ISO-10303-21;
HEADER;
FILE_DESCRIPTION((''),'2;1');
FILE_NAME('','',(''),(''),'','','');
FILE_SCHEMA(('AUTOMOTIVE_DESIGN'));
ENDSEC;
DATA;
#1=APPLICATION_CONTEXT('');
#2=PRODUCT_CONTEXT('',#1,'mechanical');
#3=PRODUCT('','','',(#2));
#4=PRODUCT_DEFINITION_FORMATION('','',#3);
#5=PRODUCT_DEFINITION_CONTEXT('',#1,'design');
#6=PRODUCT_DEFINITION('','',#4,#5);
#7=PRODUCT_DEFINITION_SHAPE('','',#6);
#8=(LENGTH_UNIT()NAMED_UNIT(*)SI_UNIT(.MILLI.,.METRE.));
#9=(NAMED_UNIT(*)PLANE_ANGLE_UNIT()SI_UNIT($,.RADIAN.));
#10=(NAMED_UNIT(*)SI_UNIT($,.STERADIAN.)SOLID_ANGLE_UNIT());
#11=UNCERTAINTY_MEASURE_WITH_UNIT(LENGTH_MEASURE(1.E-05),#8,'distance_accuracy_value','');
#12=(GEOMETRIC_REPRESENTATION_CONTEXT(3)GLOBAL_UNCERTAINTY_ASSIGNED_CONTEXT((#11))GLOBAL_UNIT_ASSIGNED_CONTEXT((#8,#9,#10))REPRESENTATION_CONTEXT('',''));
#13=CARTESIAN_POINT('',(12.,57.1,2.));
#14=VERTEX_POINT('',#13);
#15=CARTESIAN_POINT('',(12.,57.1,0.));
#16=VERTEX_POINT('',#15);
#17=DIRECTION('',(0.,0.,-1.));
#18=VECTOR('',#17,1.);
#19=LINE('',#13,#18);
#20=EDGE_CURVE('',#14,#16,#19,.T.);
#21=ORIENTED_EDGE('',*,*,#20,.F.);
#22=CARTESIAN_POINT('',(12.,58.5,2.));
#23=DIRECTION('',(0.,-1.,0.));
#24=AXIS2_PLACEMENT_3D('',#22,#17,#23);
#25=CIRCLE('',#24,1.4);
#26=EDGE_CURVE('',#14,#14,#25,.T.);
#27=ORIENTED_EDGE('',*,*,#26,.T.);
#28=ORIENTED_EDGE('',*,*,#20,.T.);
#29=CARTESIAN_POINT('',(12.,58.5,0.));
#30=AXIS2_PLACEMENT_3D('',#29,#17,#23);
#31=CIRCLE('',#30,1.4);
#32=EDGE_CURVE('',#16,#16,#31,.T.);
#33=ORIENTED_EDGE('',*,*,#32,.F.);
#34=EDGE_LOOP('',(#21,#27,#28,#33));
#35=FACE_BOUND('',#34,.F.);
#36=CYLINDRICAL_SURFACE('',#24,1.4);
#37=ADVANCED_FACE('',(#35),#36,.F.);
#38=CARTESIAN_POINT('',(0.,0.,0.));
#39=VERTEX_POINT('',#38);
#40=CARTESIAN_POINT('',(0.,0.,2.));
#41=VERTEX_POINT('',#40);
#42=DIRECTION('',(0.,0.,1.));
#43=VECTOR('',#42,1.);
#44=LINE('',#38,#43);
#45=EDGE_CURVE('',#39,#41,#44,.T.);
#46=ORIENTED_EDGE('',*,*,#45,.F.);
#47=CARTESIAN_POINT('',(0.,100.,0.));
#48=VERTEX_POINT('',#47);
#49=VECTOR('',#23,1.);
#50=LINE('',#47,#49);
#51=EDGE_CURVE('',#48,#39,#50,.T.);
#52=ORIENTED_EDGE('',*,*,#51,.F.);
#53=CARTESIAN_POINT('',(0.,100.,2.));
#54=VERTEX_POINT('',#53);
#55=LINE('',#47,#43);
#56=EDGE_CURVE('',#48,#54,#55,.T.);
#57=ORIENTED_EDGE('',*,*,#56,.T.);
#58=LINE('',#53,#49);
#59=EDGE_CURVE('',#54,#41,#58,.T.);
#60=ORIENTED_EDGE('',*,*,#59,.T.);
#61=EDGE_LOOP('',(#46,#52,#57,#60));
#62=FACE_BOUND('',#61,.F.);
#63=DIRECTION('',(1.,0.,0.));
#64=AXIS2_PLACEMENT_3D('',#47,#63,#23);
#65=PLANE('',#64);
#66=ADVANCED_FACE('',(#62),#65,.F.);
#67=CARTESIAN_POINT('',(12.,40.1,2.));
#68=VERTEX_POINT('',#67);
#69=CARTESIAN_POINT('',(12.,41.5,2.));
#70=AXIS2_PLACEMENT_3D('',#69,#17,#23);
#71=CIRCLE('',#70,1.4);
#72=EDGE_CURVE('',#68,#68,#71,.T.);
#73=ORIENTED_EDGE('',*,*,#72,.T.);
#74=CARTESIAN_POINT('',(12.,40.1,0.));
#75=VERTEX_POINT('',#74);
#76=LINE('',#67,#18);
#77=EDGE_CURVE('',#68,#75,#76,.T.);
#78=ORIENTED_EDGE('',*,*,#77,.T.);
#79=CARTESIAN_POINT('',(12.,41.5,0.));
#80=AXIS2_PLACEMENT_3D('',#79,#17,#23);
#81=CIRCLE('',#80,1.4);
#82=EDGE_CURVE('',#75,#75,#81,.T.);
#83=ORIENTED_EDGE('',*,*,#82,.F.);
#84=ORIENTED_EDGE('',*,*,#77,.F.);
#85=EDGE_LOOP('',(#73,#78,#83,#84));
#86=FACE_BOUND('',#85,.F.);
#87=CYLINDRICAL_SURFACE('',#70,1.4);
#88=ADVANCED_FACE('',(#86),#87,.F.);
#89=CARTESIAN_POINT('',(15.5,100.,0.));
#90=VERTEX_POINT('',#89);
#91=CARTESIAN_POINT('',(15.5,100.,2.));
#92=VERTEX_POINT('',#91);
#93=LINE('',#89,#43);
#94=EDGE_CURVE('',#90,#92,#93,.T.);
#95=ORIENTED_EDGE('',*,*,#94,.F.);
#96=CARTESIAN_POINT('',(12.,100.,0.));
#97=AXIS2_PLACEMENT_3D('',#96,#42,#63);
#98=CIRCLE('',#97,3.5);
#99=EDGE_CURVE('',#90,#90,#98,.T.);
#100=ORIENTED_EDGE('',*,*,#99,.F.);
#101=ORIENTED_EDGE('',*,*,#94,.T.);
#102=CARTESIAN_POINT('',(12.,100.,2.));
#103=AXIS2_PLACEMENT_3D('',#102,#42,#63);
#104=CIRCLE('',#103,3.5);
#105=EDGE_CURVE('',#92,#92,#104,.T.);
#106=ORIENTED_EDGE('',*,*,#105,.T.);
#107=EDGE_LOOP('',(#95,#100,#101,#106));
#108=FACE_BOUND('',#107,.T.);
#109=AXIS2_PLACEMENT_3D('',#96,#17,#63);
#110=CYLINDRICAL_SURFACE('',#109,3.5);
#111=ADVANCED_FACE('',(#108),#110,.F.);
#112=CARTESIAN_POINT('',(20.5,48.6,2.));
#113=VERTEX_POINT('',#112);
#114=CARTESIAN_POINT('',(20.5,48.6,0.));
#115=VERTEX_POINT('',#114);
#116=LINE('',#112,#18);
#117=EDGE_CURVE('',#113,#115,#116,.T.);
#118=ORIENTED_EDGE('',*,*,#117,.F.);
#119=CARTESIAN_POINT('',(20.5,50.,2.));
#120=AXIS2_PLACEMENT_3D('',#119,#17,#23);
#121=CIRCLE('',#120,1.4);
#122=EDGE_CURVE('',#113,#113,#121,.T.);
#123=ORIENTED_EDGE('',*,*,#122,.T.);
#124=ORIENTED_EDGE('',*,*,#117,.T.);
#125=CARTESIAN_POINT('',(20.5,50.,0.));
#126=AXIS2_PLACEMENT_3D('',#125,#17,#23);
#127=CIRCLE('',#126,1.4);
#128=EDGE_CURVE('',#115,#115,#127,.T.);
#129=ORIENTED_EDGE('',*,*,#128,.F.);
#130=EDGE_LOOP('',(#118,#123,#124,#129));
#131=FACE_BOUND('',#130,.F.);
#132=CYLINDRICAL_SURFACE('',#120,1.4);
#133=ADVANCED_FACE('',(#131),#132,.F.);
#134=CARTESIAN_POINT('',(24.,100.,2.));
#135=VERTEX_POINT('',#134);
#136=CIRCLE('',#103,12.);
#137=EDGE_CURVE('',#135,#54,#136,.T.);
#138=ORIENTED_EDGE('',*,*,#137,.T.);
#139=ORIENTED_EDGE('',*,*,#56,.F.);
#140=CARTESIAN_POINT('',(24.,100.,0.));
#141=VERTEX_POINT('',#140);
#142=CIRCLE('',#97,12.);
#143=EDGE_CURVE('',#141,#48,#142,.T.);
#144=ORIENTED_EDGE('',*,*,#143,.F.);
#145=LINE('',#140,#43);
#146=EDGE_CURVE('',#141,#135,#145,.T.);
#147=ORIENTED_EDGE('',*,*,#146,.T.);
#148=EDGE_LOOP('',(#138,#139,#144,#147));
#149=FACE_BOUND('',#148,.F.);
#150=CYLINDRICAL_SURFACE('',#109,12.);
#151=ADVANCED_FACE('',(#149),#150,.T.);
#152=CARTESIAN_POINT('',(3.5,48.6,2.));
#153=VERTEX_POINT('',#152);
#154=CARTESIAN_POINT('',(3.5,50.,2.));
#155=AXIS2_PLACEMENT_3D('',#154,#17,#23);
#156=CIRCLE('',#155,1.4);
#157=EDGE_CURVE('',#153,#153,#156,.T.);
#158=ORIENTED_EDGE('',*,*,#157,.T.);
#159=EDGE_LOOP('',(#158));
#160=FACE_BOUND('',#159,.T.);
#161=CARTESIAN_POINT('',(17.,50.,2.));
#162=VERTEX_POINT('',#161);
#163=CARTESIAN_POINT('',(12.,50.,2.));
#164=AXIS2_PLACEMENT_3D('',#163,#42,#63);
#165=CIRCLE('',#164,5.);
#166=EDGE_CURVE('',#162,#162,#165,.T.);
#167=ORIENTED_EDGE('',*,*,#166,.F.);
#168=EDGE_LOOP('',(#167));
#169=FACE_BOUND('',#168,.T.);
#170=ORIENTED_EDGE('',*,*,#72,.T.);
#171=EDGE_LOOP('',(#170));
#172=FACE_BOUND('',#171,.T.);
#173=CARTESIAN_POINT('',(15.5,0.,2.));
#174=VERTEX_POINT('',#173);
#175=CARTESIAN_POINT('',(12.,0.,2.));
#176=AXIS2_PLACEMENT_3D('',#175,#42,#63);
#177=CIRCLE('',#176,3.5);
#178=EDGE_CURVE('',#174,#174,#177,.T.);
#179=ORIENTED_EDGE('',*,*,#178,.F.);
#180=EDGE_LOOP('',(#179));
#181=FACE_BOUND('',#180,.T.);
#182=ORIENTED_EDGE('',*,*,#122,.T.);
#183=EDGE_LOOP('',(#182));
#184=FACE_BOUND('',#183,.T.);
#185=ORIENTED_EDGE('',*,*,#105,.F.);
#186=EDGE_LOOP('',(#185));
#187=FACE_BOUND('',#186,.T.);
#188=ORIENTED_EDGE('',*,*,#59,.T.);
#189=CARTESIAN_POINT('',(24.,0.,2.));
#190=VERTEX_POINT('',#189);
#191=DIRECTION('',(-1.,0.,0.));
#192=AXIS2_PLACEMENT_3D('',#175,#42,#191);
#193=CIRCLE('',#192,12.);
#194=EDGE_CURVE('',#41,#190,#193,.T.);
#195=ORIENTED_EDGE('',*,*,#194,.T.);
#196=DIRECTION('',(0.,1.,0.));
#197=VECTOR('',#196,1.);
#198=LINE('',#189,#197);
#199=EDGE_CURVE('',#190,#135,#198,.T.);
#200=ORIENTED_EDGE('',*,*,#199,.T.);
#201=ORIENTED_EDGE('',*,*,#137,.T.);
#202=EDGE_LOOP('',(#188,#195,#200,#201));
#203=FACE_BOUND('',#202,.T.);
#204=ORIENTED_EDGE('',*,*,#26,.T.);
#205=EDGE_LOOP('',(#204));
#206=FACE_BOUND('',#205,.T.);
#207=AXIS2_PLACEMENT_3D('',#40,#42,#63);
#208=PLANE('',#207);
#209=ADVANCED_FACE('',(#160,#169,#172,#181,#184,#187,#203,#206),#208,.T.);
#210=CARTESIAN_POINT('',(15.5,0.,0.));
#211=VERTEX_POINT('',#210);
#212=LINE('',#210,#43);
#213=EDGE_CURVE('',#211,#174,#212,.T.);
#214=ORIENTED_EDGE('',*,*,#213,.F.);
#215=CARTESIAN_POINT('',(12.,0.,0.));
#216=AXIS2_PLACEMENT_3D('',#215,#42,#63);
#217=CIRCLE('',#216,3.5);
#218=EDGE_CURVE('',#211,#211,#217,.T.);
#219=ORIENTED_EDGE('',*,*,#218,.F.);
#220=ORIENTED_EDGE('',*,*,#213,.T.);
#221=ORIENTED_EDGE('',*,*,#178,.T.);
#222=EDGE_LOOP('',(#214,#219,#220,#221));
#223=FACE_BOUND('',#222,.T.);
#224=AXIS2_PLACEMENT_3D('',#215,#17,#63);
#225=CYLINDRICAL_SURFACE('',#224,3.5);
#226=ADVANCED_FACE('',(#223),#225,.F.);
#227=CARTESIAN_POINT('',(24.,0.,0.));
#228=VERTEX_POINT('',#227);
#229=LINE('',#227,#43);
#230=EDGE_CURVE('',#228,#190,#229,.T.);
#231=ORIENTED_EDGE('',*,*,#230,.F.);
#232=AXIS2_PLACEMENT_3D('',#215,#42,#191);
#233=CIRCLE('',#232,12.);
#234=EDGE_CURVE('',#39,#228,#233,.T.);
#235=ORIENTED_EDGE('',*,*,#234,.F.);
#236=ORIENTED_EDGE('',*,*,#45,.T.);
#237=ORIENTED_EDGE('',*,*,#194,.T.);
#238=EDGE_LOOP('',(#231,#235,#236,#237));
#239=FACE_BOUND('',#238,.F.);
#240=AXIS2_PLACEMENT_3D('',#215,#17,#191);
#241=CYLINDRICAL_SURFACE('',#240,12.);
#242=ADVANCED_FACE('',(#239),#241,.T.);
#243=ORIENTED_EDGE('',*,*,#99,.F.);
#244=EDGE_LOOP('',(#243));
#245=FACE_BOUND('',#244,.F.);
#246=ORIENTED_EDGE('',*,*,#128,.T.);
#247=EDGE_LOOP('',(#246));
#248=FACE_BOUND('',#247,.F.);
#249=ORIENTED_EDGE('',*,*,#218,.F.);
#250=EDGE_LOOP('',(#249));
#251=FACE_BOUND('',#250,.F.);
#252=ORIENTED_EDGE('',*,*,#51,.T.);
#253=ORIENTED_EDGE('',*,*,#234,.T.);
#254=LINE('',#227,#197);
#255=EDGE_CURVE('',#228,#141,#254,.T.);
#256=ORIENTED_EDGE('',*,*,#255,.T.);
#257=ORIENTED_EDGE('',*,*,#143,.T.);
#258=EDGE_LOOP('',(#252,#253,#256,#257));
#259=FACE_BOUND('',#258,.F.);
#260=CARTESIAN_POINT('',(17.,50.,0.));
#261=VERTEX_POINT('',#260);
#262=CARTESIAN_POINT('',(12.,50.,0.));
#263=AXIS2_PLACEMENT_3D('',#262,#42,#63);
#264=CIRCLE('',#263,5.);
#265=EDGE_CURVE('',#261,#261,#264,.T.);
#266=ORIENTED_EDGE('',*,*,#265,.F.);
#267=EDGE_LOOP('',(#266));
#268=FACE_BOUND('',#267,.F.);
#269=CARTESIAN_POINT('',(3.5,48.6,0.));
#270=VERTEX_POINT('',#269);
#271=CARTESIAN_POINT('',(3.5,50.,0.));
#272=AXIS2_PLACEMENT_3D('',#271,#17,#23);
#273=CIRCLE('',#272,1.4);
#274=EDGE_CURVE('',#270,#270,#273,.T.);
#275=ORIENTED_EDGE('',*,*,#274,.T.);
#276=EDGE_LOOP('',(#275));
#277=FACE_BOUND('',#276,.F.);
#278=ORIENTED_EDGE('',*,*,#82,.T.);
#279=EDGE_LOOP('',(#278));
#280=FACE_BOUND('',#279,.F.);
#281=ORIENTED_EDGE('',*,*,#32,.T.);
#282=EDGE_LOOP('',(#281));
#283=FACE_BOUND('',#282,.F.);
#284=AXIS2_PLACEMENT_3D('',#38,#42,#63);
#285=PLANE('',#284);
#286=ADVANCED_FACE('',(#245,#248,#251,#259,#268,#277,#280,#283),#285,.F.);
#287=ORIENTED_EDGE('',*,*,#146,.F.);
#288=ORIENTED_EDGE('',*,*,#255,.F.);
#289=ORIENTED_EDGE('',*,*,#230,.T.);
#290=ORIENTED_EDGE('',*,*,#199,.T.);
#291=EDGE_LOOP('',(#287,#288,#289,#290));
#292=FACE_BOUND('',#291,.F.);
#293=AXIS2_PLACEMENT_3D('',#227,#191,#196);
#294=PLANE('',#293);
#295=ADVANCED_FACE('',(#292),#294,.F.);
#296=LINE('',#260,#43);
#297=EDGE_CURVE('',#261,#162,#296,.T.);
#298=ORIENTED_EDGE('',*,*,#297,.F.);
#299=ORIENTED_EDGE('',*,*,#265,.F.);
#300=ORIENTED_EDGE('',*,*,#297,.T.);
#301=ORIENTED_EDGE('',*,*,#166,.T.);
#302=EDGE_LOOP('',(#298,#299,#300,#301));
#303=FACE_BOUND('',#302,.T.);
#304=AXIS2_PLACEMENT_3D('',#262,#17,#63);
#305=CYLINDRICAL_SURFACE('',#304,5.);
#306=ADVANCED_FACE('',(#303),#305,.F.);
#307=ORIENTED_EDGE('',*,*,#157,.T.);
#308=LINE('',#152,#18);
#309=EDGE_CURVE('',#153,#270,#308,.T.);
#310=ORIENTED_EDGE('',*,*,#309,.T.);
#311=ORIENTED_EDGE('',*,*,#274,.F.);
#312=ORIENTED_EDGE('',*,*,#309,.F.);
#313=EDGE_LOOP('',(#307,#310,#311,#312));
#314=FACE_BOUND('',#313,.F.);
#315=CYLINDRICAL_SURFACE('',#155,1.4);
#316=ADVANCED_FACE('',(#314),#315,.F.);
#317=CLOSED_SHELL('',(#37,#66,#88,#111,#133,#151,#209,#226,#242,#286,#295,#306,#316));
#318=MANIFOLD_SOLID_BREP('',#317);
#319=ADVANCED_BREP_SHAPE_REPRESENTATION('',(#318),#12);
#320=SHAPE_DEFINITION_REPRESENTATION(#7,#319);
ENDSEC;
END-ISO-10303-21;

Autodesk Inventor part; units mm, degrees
ref_plane "YZ Plane" through (0, 0, 0) normal (1, 0, 0) x (0, 1, 0)
ref_plane "XZ Plane" through (0, 0, 0) normal (0, 1, 0) x (-1, 0, 0)
ref_plane "XY Plane" through (0, 0, 0) normal (0, 0, 1) x (1, 0, 0)
sketch "スケッチ1" plane through (0, 0, 0) normal (0, 0, 1) x (1, 0, 0)
  line L0 (24, 0) -> (24, 100)
  line L1 (0, 100) -> (0, 0)
  line L2 (12, 100) -> (12, 0) construction
  arc A0 (24, 100) -> (0, 100) centre (12, 100) ccw
  arc A1 (0, 0) -> (24, 0) centre (12, 0) ccw
  circle A2 centre (12, 0) radius 3.5
  circle A3 centre (12, 100) radius 3.5
  circle A4 centre (12, 50) radius 5
  dimension "d35" = 24
  dimension "d36" = 100
  dimension "d37" = 7
  dimension "d38" = 7
  dimension "d41" = 10
extrude "押し出し1" add sketch "スケッチ1" along normal blind 2
sketch "スケッチ3" plane through (0, 0, 2) normal (0, 0, 1) x (1, 0, 0)
  circle A0 centre (12, 0) radius 3.5 projected
  circle A1 centre (12, 100) radius 3.5 projected
  circle A2 centre (12, 50) radius 5 projected
  arc A3 (24, 100) -> (0, 100) centre (12, 100) ccw projected
  line L0 (0, 100) -> (0, 0) projected
  arc A4 (0, 0) -> (24, 0) centre (12, 0) ccw projected
  line L1 (24, 0) -> (24, 100) projected
  line L2 (12, 50) -> (24, 50) construction
  line L3 (24, 0) -> (24, 100) projected
  point P0 (20.5, 50)
  point P1 (12, 58.5)
  point P2 (3.5, 50)
  point P3 (12, 41.5)
  dimension "d42" = 8.5
  dimension "d45" = 360
hole "穴1" at (20.5, 50, 2) at (12, 58.5, 2) at (3.5, 50, 2) at (12, 41.5, 2) direction (0, 0, -1) diameter 2.8 end through all
properties part number "hip_link_motor" material "GFRP"
